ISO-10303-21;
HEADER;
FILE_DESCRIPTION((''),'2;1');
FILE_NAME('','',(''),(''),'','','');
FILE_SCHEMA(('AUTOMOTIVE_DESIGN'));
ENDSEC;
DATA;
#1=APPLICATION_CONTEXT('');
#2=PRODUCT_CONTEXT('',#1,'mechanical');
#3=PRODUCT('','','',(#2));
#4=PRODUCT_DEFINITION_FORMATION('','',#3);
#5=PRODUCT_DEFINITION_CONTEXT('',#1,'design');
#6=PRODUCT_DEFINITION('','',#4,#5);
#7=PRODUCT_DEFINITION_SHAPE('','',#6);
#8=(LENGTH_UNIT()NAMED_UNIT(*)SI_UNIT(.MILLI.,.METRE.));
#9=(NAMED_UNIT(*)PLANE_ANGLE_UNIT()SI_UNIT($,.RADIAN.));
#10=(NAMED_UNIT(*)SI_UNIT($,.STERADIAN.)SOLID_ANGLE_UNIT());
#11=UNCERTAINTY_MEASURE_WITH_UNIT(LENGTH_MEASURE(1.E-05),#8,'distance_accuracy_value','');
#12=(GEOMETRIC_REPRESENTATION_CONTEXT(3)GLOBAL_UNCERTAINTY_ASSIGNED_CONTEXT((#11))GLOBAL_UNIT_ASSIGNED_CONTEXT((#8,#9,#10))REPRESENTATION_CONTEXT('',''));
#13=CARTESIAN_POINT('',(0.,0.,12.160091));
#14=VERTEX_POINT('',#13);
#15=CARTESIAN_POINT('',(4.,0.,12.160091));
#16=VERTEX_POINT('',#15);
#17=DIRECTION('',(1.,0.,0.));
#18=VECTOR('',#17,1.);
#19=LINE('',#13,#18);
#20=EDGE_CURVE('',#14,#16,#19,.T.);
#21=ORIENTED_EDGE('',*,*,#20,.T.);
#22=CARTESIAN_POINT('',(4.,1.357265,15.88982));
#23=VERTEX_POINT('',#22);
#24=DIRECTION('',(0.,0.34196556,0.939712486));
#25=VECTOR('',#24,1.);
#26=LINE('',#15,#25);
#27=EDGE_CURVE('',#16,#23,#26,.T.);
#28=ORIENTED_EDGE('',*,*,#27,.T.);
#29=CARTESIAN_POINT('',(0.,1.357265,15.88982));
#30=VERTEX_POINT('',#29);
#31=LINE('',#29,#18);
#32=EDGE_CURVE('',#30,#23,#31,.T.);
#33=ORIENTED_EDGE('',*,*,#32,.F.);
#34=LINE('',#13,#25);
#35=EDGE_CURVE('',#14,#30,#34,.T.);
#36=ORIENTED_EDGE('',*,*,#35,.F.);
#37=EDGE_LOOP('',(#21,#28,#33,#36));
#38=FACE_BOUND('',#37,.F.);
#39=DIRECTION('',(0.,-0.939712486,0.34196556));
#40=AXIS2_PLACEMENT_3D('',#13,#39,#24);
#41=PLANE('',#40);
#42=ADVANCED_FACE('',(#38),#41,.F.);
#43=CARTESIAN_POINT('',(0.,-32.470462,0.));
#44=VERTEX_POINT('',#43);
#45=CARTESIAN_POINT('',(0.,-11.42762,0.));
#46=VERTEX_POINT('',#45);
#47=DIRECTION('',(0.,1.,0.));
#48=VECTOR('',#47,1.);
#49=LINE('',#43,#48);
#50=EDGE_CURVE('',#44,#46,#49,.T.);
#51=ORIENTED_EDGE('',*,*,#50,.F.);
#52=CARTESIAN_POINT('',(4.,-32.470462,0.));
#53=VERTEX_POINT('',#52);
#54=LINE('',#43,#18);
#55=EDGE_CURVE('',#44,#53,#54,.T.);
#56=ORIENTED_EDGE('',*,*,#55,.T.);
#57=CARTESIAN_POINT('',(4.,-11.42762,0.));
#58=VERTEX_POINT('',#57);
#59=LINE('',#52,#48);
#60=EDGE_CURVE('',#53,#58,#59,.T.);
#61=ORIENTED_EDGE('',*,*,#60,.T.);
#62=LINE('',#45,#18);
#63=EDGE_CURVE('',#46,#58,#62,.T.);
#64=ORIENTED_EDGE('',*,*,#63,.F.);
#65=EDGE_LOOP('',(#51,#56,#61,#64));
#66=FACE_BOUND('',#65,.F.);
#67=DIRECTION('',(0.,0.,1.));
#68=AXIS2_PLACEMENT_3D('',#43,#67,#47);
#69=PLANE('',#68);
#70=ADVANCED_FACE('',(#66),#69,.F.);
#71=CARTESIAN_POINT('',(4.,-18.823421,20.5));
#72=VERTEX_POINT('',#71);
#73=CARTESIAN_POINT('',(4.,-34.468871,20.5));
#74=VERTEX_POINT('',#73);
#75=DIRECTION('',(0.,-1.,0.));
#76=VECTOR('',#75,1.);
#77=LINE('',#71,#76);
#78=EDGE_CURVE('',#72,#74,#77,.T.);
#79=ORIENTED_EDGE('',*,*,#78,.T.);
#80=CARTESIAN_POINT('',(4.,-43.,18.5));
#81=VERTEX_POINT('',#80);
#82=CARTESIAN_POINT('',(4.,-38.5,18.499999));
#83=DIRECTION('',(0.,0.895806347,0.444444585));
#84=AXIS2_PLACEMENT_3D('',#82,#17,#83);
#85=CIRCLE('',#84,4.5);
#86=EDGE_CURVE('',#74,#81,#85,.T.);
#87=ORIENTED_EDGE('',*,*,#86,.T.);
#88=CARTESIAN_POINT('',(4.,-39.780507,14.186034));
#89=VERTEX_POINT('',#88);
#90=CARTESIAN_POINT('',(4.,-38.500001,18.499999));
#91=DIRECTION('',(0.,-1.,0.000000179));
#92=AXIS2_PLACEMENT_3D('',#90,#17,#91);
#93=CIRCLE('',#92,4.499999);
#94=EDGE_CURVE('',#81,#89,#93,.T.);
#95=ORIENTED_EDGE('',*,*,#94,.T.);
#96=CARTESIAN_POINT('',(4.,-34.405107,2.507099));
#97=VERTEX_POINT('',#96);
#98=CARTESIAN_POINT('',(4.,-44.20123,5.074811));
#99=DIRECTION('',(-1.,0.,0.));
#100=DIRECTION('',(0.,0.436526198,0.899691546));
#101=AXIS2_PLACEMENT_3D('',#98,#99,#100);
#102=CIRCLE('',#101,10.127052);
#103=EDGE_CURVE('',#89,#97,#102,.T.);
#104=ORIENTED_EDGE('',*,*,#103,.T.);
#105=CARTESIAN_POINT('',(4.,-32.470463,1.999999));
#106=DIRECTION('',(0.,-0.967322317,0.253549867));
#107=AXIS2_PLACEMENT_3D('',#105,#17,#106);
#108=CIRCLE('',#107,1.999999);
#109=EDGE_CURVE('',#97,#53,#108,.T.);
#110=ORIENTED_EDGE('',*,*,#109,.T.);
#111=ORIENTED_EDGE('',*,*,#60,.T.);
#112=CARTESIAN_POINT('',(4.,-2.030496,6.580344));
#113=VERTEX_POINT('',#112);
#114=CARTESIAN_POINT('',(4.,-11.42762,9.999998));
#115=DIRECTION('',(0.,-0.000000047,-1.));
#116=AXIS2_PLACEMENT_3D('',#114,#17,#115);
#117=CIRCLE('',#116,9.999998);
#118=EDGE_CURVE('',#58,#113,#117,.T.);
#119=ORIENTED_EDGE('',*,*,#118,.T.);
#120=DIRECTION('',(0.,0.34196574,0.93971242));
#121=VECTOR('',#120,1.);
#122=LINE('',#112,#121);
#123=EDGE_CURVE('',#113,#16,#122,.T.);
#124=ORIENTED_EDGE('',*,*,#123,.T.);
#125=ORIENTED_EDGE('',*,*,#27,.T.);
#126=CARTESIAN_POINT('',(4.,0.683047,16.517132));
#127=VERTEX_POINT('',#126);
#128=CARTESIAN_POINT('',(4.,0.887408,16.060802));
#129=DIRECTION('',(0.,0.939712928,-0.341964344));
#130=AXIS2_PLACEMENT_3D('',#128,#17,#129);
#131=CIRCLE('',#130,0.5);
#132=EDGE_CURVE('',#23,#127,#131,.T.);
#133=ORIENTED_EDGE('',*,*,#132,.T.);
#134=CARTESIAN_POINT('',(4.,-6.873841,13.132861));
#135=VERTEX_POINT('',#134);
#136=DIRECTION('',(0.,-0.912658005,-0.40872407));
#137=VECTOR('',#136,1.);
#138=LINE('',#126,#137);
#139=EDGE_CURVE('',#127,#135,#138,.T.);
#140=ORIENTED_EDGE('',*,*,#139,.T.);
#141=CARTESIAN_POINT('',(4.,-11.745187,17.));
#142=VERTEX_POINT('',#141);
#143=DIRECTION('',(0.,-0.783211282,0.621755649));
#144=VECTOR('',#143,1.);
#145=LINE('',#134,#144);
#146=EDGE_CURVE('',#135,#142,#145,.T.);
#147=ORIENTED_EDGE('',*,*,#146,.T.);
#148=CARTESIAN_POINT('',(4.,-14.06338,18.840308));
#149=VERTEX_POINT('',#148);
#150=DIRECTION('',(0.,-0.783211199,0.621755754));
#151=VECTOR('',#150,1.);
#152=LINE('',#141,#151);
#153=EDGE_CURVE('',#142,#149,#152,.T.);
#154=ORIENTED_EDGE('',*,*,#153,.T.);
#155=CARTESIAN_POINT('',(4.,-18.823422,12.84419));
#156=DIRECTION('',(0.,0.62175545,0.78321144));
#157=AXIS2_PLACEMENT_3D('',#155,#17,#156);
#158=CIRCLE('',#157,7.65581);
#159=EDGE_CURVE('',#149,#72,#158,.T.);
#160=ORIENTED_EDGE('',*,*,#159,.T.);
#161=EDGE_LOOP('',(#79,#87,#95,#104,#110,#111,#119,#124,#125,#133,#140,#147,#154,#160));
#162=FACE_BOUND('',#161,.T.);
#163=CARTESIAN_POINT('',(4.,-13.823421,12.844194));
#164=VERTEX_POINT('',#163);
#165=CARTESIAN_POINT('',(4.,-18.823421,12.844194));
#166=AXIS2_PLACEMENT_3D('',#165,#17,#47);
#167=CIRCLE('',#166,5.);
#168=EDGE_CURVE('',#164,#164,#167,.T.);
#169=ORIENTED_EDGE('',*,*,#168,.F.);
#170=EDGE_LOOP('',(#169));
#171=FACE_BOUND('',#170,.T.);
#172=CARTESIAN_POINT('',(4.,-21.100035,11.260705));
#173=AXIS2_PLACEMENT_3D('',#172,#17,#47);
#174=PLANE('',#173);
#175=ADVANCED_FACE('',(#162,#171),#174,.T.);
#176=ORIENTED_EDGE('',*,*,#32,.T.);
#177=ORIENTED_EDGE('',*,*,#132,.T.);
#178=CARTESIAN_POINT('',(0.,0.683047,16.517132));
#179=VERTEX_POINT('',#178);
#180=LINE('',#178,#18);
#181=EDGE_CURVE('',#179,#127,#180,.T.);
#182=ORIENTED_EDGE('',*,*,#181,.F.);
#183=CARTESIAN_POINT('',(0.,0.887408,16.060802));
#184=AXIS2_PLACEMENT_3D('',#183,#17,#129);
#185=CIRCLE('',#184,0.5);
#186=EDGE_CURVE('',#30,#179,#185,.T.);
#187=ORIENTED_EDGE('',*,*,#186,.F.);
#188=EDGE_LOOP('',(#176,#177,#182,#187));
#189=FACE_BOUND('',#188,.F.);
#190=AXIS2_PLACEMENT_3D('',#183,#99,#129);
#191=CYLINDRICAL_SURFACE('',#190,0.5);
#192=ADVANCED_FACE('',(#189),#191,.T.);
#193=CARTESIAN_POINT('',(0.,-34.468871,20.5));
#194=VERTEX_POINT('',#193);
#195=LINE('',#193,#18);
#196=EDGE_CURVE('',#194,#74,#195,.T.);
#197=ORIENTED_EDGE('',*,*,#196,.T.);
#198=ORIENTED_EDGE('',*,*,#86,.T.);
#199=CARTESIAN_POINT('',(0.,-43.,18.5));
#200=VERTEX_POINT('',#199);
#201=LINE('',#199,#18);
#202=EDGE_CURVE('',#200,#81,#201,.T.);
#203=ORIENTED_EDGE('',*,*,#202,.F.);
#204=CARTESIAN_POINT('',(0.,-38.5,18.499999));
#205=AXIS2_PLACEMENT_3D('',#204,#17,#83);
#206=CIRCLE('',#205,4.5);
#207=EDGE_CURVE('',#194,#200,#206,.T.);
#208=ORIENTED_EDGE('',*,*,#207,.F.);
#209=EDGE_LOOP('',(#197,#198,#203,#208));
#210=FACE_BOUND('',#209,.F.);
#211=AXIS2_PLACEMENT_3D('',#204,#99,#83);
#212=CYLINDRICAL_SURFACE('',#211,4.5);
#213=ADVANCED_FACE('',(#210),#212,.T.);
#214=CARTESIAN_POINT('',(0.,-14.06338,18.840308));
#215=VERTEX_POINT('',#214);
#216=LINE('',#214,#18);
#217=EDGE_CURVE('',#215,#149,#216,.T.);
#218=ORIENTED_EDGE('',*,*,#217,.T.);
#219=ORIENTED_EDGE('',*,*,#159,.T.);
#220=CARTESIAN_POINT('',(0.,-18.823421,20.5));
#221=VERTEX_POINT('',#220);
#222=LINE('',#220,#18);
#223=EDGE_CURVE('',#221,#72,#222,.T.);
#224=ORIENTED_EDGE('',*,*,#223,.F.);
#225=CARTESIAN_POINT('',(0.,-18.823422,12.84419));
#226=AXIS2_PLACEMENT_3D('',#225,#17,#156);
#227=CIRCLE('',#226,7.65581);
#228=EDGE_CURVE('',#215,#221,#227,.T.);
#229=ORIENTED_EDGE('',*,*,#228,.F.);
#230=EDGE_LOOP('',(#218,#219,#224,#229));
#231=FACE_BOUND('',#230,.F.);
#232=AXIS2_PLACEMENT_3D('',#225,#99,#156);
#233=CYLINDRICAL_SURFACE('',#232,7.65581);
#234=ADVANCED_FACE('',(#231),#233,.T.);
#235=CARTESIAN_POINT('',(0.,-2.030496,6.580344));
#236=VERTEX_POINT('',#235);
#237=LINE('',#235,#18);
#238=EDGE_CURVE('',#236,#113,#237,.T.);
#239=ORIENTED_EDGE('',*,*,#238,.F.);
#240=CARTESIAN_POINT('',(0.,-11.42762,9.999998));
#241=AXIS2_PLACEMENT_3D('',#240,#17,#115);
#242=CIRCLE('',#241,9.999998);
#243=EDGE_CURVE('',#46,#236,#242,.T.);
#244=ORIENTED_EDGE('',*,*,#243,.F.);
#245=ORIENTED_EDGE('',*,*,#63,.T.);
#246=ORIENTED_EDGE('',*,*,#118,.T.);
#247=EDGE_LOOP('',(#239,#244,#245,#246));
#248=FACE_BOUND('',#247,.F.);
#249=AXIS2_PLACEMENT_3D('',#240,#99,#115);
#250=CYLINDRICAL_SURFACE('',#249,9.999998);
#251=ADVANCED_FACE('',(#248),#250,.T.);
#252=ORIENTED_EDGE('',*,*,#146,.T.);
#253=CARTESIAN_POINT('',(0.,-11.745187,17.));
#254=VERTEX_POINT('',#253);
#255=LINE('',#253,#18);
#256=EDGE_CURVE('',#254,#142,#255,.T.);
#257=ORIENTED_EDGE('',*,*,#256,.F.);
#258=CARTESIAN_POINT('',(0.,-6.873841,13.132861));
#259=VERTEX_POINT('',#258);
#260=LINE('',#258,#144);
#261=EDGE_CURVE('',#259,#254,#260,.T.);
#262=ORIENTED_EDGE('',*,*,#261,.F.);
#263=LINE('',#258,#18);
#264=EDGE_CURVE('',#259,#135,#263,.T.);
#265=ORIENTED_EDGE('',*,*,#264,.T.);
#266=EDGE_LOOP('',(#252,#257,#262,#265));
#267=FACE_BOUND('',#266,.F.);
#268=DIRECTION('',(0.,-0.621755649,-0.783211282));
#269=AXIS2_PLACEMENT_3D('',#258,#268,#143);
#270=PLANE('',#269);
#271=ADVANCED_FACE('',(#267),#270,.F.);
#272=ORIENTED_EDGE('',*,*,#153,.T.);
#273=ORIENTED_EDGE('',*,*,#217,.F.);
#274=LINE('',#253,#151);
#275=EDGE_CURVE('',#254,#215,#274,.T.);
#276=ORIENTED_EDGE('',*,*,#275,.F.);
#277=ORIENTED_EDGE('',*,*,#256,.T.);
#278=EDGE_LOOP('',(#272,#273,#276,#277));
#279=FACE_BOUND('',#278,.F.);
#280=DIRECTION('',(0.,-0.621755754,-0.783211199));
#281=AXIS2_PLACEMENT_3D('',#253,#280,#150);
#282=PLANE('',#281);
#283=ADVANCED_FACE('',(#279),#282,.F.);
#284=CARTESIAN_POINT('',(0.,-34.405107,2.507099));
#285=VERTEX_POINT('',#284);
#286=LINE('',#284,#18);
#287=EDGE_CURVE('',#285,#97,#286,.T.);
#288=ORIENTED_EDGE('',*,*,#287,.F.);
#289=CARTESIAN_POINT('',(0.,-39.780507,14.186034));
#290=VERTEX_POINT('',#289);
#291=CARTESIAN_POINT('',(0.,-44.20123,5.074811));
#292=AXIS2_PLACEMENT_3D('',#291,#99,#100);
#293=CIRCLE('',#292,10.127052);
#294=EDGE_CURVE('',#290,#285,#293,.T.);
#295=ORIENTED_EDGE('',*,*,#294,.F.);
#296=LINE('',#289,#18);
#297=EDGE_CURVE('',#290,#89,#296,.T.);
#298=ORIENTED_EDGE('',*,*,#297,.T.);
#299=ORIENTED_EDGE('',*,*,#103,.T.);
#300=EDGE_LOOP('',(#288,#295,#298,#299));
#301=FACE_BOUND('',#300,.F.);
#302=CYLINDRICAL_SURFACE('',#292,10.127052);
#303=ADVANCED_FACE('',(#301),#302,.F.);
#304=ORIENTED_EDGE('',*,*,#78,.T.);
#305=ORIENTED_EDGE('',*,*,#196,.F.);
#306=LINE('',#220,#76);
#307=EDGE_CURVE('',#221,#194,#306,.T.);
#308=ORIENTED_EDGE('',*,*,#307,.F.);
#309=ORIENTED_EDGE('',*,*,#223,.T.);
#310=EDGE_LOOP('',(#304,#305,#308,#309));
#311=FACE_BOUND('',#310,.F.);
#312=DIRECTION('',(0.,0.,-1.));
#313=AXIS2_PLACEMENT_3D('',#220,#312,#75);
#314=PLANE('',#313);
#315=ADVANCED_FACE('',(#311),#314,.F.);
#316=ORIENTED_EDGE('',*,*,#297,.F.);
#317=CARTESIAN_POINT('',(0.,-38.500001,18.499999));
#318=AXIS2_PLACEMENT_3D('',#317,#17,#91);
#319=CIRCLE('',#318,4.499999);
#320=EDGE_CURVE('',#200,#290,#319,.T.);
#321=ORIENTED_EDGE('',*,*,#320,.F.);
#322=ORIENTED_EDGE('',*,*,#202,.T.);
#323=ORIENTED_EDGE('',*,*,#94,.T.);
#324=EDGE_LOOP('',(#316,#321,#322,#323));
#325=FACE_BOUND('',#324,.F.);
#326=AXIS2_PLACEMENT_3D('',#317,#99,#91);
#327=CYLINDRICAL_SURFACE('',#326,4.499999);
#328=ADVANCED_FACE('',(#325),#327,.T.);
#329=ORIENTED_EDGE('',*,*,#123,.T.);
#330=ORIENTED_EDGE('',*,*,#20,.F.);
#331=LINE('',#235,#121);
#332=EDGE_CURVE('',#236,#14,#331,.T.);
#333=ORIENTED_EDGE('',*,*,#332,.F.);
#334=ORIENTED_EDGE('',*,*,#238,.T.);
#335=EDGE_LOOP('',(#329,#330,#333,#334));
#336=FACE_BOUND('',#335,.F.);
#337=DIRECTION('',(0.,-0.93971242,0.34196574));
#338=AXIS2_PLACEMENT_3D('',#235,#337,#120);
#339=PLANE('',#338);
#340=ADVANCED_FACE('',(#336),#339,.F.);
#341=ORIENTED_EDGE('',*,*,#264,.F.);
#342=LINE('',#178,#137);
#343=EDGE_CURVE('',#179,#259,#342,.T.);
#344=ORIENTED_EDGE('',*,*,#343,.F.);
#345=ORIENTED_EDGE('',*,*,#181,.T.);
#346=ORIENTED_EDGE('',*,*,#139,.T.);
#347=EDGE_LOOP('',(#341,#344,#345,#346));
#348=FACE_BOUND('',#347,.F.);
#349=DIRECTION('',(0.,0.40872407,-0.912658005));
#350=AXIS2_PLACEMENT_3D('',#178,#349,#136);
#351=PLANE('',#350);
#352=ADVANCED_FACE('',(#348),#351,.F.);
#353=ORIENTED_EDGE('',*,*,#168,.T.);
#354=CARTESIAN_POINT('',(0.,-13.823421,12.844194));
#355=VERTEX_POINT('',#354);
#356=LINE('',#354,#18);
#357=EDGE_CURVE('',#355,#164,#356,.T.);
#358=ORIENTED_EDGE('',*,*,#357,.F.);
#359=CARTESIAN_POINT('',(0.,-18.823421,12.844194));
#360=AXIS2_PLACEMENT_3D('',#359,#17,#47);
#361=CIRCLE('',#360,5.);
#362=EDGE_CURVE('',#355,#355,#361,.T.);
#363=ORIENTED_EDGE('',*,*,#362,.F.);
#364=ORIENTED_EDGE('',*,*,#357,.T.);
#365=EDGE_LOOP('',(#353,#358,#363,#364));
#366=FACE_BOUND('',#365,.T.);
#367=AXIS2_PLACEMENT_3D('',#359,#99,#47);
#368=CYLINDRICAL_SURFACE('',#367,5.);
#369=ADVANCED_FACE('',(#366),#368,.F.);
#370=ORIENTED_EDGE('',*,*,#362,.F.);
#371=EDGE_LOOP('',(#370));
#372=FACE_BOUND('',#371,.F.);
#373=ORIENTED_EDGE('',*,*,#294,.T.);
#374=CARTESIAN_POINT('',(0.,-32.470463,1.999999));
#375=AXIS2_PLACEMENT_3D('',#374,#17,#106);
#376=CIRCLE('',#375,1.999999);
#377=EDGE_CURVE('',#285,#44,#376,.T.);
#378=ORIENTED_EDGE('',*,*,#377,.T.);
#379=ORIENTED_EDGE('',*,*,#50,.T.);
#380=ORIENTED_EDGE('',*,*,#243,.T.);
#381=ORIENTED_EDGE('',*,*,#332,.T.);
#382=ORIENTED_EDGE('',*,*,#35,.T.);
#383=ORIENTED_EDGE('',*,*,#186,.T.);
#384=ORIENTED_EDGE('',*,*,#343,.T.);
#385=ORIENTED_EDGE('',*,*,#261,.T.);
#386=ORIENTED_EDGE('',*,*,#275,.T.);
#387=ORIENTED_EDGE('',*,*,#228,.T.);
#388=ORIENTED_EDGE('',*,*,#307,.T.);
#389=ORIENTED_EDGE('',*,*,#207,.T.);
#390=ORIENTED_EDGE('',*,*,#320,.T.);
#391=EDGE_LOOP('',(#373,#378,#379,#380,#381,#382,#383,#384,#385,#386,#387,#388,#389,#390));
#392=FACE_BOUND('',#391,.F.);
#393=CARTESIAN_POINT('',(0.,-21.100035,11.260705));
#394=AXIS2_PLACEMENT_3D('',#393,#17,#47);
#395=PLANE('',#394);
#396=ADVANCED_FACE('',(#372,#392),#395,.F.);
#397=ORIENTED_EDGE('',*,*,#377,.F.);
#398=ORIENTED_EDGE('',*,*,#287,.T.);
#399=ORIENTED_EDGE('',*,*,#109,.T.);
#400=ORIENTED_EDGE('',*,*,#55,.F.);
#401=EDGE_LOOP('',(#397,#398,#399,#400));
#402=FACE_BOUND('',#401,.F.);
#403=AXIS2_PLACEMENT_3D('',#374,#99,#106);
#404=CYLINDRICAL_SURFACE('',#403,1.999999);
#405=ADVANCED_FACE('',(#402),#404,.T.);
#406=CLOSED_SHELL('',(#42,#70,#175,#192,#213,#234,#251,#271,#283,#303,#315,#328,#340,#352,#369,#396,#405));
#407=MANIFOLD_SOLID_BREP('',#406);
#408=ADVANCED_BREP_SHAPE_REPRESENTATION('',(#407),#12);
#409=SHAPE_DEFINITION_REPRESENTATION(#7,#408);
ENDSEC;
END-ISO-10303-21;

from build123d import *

# Parameters (mm, degrees)
F0_R     = 5
F1_DEPTH = 4


with BuildPart() as f1:
    # F0 (on Right) → F1 (new body)
    with BuildSketch(Plane.YZ):
        with BuildLine():
            Line((-32.470462, 0), (-11.42762, 0))
            ThreePointArc((-11.42762, 0), (-5.691618, 1.808646), (-2.030496, 6.580344))
            Line((-2.030496, 6.580344), (0, 12.160091))
            Line((0, 12.160091), (1.357265, 15.88982))
            ThreePointArc((1.357265, 15.88982), (1.227999, 16.42686), (0.683047, 16.517132))
            Line((0.683047, 16.517132), (-6.873841, 13.132861))
            Line((-6.873841, 13.132861), (-11.745187, 17))
            Line((-11.745187, 17), (-14.06338, 18.840308))
            ThreePointArc((-14.06338, 18.840308), (-16.302877, 20.073179), (-18.823421, 20.5))
            Line((-18.823421, 20.5), (-34.468871, 20.5))
            ThreePointArc((-34.468871, 20.5), (-39.527112, 22.881214), (-43, 18.5))
            ThreePointArc((-43, 18.5), (-42.106403, 15.808558), (-39.780507, 14.186034))
            ThreePointArc((-39.780507, 14.186034), (-35.001825, 9.308972), (-34.405107, 2.507099))
            ThreePointArc((-34.405107, 2.507099), (-34.053845, 0.778157), (-32.470462, 0))
        make_face()
        with Locations((-18.823421, 12.844194)):
            Circle(F0_R, mode=Mode.SUBTRACT)
    extrude(amount=F1_DEPTH)


solid = f1.part
